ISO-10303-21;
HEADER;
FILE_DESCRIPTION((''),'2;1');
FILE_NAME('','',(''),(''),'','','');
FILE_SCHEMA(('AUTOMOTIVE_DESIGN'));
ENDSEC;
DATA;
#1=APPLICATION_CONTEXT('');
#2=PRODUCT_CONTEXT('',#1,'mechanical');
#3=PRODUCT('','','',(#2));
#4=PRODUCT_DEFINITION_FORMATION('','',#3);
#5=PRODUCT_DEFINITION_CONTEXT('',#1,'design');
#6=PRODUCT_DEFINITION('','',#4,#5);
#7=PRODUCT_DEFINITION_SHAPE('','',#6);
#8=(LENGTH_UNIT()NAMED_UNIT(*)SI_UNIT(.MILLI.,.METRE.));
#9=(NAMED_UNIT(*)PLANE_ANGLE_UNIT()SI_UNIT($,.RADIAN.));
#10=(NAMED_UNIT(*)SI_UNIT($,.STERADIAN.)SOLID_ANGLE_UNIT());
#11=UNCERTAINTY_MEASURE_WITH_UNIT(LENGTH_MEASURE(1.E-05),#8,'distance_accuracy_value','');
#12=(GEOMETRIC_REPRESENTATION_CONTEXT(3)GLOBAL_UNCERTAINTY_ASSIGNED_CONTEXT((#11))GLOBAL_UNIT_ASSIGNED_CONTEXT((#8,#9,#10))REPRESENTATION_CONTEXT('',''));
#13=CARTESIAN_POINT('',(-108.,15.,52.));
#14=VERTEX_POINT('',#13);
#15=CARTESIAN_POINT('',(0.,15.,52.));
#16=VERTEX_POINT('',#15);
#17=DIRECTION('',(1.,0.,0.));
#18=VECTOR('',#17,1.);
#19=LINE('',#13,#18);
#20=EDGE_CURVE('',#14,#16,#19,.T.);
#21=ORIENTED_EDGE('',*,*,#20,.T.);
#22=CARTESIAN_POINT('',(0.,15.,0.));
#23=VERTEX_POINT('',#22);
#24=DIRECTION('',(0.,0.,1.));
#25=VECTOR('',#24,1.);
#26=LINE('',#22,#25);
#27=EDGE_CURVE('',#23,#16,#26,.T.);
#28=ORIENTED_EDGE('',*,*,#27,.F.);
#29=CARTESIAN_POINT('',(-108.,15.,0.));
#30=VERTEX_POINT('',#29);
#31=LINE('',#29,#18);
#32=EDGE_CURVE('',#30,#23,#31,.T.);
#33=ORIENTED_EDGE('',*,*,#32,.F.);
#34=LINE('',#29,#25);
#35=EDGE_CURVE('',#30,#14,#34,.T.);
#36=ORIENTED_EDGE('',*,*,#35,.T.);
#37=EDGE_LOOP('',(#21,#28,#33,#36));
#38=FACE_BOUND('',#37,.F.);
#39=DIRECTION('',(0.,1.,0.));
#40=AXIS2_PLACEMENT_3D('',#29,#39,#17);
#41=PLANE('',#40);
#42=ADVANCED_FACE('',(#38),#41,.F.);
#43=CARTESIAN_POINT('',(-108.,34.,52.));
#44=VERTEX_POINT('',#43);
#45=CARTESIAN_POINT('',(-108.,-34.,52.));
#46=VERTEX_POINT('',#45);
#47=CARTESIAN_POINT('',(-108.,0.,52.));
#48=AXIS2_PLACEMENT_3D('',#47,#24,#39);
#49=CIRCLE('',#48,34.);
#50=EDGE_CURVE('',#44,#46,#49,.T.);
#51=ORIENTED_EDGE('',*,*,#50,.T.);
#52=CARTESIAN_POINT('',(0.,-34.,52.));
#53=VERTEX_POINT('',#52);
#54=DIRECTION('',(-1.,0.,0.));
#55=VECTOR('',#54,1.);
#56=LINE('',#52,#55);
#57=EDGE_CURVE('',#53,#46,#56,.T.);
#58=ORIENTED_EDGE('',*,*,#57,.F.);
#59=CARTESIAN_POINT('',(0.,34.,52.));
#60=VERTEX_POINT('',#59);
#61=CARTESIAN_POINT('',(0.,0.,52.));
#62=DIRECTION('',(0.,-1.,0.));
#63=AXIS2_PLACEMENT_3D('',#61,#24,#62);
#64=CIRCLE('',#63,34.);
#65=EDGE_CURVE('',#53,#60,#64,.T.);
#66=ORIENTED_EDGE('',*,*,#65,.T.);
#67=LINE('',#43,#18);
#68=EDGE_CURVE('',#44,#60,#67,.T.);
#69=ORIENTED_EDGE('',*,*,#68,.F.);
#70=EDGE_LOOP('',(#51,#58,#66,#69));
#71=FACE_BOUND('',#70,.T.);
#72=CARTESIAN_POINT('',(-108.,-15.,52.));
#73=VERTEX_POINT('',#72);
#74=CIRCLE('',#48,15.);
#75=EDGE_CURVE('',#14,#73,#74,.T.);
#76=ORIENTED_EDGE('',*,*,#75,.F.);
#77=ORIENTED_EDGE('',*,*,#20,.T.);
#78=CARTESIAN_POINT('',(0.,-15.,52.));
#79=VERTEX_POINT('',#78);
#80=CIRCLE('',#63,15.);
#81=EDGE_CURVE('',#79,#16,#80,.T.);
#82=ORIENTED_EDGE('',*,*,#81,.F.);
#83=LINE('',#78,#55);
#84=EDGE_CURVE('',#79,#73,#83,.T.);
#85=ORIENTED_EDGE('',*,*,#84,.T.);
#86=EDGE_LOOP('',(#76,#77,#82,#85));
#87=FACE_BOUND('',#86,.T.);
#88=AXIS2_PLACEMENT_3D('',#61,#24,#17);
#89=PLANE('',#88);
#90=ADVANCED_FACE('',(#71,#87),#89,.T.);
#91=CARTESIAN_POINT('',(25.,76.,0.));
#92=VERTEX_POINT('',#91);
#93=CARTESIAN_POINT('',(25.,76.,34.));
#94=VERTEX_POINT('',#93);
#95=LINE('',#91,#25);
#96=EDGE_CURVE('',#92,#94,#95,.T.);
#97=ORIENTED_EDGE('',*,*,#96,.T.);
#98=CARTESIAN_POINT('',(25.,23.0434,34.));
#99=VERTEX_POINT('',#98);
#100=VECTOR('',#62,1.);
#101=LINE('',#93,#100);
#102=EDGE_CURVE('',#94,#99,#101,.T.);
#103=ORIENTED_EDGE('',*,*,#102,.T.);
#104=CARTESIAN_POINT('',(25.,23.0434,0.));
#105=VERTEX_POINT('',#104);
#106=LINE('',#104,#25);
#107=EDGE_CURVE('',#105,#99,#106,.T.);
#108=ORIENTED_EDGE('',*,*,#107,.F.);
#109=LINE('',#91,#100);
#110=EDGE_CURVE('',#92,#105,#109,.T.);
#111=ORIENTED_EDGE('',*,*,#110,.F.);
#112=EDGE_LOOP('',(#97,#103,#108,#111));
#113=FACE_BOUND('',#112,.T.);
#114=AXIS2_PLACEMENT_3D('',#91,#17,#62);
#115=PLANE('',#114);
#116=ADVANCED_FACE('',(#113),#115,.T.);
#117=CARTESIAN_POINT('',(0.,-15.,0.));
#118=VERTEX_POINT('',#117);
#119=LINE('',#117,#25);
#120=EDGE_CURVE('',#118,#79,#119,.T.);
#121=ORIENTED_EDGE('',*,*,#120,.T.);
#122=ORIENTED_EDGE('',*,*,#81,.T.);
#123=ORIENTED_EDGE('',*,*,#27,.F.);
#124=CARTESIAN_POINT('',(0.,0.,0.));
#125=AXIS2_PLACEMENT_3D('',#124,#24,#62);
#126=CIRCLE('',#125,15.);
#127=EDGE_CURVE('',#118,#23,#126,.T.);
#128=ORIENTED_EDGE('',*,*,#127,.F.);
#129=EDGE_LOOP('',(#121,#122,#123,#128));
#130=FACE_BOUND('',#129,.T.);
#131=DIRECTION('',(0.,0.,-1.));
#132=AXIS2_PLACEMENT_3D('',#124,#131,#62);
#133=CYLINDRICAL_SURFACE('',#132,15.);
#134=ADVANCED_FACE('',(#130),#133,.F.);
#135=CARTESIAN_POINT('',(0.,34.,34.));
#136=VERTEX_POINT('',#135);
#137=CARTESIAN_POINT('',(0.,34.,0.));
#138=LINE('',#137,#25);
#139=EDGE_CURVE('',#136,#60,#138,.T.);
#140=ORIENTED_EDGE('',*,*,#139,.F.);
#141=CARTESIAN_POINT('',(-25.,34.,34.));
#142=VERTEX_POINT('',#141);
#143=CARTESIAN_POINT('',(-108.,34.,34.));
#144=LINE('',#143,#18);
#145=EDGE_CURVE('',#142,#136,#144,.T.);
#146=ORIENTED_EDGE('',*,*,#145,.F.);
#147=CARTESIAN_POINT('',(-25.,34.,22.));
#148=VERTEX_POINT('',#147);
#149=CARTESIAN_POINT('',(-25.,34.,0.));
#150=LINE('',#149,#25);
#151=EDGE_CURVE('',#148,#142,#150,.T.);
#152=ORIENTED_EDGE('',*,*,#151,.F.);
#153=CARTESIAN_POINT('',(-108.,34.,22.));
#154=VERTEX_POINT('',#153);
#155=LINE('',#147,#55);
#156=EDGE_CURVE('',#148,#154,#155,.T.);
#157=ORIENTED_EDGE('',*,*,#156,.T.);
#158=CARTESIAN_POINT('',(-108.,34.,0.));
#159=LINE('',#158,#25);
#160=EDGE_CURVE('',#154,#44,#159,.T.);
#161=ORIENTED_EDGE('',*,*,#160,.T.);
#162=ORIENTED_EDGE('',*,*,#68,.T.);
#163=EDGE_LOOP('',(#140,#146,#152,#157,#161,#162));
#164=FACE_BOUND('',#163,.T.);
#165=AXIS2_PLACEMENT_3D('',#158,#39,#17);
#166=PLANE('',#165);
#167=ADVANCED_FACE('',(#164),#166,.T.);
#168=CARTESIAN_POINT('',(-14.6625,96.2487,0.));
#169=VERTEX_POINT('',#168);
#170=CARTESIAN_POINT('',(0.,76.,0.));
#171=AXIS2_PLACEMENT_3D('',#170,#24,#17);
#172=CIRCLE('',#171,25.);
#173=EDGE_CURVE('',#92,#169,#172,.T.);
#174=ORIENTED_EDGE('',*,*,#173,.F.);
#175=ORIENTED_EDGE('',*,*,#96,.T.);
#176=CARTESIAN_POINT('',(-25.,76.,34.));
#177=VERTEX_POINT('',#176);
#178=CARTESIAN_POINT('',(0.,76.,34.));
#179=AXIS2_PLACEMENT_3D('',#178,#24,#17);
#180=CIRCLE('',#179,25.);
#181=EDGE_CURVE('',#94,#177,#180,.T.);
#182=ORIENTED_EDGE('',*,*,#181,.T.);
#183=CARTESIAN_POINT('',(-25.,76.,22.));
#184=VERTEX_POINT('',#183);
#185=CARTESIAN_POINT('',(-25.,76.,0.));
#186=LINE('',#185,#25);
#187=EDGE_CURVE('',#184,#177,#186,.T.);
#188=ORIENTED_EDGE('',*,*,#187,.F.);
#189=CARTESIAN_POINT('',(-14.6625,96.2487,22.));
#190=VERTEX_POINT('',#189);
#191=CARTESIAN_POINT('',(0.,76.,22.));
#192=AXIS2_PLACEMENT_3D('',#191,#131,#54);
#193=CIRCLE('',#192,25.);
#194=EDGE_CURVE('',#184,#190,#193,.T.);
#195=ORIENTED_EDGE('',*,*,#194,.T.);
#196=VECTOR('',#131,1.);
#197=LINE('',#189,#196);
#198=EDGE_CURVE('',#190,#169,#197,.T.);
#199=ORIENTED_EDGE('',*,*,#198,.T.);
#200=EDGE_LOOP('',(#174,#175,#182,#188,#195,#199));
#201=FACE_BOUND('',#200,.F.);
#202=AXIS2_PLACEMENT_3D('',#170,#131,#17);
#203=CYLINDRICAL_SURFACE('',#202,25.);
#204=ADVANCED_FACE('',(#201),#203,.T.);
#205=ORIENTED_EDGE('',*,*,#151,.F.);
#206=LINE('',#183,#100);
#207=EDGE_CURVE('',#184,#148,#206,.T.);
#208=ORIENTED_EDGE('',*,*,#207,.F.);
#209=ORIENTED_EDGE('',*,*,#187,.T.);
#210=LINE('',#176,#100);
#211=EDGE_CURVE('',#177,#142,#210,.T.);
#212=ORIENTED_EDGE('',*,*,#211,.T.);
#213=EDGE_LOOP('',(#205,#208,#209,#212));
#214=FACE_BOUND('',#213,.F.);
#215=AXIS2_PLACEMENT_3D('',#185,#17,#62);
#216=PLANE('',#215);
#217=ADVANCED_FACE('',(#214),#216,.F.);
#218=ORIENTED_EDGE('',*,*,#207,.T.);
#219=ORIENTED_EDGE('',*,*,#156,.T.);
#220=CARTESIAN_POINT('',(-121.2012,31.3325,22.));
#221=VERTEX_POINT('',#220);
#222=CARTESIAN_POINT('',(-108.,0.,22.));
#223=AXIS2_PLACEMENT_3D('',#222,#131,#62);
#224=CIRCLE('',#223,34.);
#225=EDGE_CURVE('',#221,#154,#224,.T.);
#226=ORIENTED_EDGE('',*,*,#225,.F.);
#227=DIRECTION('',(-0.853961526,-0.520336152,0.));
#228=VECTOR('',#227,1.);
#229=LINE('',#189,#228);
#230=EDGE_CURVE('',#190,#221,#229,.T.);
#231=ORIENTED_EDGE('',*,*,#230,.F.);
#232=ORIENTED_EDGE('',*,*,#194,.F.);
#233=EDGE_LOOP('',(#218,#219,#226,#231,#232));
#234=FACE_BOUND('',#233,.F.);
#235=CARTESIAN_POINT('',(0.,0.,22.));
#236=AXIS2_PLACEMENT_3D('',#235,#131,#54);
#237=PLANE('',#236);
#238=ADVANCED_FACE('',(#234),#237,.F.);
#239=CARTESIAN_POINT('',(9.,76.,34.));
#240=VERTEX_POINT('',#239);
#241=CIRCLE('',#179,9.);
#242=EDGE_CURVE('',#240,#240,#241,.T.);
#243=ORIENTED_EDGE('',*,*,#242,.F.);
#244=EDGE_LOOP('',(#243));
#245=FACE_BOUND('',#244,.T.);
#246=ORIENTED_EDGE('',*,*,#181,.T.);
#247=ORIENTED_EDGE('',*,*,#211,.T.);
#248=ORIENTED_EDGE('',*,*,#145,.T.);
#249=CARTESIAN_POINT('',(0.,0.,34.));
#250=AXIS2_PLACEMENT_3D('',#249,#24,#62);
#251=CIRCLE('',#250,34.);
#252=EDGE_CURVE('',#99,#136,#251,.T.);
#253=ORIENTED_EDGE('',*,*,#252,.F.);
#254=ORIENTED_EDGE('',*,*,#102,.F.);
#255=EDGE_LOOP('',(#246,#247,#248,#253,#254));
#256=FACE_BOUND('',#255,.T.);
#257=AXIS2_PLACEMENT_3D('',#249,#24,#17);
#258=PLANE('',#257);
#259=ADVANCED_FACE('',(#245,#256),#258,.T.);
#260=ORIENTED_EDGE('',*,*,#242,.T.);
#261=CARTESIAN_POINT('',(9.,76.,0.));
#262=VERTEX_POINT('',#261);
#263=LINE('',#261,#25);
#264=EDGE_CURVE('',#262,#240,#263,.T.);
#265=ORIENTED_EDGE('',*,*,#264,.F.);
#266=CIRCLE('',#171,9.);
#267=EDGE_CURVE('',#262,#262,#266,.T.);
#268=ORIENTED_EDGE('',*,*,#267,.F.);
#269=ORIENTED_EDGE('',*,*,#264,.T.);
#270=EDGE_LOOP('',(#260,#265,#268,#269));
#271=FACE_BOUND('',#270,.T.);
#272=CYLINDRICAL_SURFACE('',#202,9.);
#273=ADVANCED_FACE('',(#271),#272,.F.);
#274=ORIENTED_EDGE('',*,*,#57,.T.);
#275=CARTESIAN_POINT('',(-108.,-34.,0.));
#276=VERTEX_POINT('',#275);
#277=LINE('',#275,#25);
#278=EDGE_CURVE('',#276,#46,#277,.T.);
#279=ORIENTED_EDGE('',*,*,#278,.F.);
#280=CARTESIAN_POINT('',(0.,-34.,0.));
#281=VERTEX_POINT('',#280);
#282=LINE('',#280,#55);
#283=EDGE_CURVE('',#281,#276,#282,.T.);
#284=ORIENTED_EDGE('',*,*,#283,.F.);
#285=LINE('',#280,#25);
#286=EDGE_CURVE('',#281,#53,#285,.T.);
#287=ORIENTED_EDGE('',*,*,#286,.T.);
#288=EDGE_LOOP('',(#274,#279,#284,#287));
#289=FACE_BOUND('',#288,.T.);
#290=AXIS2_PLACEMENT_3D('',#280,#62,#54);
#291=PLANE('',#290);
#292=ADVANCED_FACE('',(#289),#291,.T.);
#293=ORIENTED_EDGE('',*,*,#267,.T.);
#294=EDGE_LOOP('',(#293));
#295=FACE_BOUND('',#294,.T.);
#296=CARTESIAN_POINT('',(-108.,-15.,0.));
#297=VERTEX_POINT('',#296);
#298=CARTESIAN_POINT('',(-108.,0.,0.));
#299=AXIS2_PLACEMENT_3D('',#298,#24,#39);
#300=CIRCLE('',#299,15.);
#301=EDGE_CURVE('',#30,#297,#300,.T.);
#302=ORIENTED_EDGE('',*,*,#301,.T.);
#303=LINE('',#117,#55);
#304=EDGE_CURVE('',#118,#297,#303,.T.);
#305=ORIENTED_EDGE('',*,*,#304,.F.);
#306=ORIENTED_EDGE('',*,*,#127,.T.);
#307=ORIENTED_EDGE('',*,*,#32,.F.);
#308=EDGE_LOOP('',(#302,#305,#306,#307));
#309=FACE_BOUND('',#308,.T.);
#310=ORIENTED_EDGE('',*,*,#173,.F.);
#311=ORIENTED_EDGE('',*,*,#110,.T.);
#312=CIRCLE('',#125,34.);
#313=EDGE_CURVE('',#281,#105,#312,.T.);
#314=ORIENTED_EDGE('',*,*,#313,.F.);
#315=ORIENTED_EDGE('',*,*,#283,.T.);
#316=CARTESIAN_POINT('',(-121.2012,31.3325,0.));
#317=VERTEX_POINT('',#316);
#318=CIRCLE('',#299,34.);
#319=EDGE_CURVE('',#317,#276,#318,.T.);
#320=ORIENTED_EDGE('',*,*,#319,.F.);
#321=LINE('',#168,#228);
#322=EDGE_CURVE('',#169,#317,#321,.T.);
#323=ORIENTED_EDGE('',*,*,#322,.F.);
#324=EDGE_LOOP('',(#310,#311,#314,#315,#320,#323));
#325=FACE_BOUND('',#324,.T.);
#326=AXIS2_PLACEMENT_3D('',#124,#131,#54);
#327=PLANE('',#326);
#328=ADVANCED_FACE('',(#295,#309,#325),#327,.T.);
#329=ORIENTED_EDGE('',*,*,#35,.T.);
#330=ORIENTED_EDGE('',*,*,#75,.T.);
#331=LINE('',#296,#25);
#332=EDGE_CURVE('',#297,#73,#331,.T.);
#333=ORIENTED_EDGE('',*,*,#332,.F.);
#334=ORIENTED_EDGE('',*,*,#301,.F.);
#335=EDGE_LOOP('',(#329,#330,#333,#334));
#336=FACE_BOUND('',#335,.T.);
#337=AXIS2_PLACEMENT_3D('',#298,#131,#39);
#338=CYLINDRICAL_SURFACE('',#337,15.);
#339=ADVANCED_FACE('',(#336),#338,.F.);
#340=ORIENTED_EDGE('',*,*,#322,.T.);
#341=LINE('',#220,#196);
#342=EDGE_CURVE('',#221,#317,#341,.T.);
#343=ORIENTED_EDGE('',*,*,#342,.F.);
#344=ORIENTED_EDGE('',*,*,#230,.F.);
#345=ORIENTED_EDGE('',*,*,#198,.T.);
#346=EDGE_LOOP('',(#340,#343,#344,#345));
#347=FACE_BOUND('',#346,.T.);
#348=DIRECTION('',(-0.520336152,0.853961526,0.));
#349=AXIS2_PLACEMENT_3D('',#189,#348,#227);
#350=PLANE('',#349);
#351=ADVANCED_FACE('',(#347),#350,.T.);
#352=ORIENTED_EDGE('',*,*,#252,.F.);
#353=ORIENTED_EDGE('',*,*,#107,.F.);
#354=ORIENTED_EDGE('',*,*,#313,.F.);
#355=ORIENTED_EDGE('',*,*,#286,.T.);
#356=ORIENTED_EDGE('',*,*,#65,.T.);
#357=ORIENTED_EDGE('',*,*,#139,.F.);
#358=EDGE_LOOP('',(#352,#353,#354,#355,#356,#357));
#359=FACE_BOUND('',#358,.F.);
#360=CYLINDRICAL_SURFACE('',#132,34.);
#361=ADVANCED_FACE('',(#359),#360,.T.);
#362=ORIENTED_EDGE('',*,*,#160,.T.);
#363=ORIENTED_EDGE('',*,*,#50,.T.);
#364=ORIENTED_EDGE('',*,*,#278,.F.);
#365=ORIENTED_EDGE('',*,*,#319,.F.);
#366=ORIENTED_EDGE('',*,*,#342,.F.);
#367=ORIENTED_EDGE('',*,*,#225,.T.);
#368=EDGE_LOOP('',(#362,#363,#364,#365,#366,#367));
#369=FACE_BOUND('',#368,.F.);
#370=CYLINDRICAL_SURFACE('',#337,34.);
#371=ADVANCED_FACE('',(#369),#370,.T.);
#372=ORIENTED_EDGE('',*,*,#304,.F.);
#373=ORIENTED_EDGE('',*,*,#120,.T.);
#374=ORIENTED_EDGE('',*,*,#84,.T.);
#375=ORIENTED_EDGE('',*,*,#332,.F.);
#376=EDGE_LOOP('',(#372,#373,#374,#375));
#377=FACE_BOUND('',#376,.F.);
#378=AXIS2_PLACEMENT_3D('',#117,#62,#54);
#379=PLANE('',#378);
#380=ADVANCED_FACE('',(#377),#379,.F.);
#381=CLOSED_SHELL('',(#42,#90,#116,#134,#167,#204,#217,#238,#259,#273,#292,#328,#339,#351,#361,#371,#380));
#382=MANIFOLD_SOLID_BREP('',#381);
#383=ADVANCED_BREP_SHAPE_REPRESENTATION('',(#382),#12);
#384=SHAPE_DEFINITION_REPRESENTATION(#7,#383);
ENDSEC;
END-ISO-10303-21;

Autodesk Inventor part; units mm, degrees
ref_plane "YZ Plane" through (0, 0, 0) normal (1, 0, 0) x (0, 1, 0)
ref_plane "XZ Plane" through (0, 0, 0) normal (0, 1, 0) x (-1, 0, 0)
sketch "Sketch1" plane through (0, 0, 0) normal (0, 0, 1) x (1, 0, 0)
  line L0 (0, 0) -> (-108, 0) construction
  line L1 (0, -15) -> (-108, -15)
  line L2 (-108, 15) -> (0, 15)
  arc A0 (0, -15) -> (0, 15) centre (0, 0) ccw
  arc A1 (-108, 15) -> (-108, -15) centre (-108, 0) ccw
  line L3 (0, 0) -> (-108, 0) construction
  line L4 (0, -34) -> (-108, -34)
  line L5 (-108, 34) -> (0, 34)
  arc A2 (0, -34) -> (0, 34) centre (0, 0) ccw
  arc A3 (-108, 34) -> (-108, -34) centre (-108, 0) ccw
  point P0 (-54, 0)
  point P1 (-54, 0)
  dimension "d0" = 108
  dimension "d1" = 15
  dimension "d2" = 34
extrude "Extrusion1" add sketch "Sketch1" along normal blind 52
sketch "Sketch2" plane through (0, 0, 0) normal (0, 0, 1) x (1, 0, 0)
  arc A0 (-108, 15) -> (-108, -15) centre (-108, 0) ccw projected
  line L0 (-108, -15) -> (0, -15) projected
  arc A1 (0, -15) -> (0, 15) centre (0, 0) ccw projected
  line L1 (0, 15) -> (-108, 15) projected
  arc A2 (-108, 34) -> (-108, -34) centre (-108, 0) ccw projected
  line L2 (-108, 34) -> (0, 34) projected
  arc A3 (0, -34) -> (0, 34) centre (0, 0) ccw projected
  line L3 (0, -34) -> (-108, -34) projected
  circle A4 centre (0, 76) radius 9
  arc A5 (25, 76) -> (-25, 76) centre (0, 76) ccw
  line L4 (25, 76) -> (25, 23.0434)
  line L5 (-25, 76) -> (-25, 34)
  arc A6 (0, -34) -> (0, 34) centre (0, 0) ccw projected
  line L6 (-25, 34) -> (0, 34)
  arc A7 (-108, 15) -> (-108, -15) centre (-108, 0) ccw projected
  line L7 (-108, -15) -> (0, -15) projected
  arc A8 (0, -15) -> (0, 15) centre (0, 0) ccw projected
  line L8 (0, 15) -> (-108, 15) projected
  arc A9 (-108, 34) -> (-108, -34) centre (-108, 0) ccw projected
  line L9 (-108, 34) -> (0, 34) projected
  arc A10 (0, -34) -> (0, 34) centre (0, 0) ccw projected
  line L10 (0, -34) -> (-108, -34) projected
  arc A11 (-108, 15) -> (-108, -15) centre (-108, 0) ccw projected
  line L11 (-108, -15) -> (0, -15) projected
  arc A12 (0, -15) -> (0, 15) centre (0, 0) ccw projected
  line L12 (0, 15) -> (-108, 15) projected
  arc A13 (-108, 34) -> (-108, -34) centre (-108, 0) ccw projected
  line L13 (-108, 34) -> (0, 34) projected
  arc A14 (0, -34) -> (0, 34) centre (0, 0) ccw projected
  line L14 (0, -34) -> (-108, -34) projected
  arc A15 (25, 23.0434) -> (0, 34) centre (0, 0) ccw
  dimension "d5" = 18
  dimension "d6" = 76
  dimension "d7" = 61
  dimension "d8" = 25
  dimension "d9" = 34
extrude "Extrusion2" add sketch "Sketch2" along normal blind 34 contours L5 A5 L4 A3 L2
ref_plane "Work Plane1" through (0, 0, 22) normal (0, 0, -1) x (-1, 0, 0)
sketch "Sketch3" plane through (0, 0, 22) normal (0, 0, -1) x (-1, 0, 0)
  circle A0 centre (0, 76) radius 9 projected
  arc A1 (108, -15) -> (108, 15) centre (108, 0) ccw projected
  line L0 (108, 15) -> (0, 15) projected
  arc A2 (0, 15) -> (0, -15) centre (0, 0) ccw projected
  line L1 (0, -15) -> (108, -15) projected
  arc A3 (108, -34) -> (108, 34) centre (108, 0) ccw projected
  line L2 (108, -34) -> (0, -34) projected
  arc A4 (-25, 23.0434) -> (0, -34) centre (0, 0) ccw projected
  line L3 (-25, 23.0434) -> (-25, 76) projected
  arc A5 (25, 76) -> (-25, 76) centre (0, 76) ccw projected
  line L4 (25, 76) -> (25, 34) projected
  line L5 (25, 34) -> (108, 34) projected
  arc A6 (25, 76) -> (-25, 76) centre (0, 76) ccw projected
  line L6 (14.6625, 96.2487) -> (121.2012, 31.3325)
  arc A7 (108, -34) -> (108, 34) centre (108, 0) ccw projected
extrude "Extrusion3" add sketch "Sketch3" along normal blind 22 contours A3 L5 L4 A5 L6
